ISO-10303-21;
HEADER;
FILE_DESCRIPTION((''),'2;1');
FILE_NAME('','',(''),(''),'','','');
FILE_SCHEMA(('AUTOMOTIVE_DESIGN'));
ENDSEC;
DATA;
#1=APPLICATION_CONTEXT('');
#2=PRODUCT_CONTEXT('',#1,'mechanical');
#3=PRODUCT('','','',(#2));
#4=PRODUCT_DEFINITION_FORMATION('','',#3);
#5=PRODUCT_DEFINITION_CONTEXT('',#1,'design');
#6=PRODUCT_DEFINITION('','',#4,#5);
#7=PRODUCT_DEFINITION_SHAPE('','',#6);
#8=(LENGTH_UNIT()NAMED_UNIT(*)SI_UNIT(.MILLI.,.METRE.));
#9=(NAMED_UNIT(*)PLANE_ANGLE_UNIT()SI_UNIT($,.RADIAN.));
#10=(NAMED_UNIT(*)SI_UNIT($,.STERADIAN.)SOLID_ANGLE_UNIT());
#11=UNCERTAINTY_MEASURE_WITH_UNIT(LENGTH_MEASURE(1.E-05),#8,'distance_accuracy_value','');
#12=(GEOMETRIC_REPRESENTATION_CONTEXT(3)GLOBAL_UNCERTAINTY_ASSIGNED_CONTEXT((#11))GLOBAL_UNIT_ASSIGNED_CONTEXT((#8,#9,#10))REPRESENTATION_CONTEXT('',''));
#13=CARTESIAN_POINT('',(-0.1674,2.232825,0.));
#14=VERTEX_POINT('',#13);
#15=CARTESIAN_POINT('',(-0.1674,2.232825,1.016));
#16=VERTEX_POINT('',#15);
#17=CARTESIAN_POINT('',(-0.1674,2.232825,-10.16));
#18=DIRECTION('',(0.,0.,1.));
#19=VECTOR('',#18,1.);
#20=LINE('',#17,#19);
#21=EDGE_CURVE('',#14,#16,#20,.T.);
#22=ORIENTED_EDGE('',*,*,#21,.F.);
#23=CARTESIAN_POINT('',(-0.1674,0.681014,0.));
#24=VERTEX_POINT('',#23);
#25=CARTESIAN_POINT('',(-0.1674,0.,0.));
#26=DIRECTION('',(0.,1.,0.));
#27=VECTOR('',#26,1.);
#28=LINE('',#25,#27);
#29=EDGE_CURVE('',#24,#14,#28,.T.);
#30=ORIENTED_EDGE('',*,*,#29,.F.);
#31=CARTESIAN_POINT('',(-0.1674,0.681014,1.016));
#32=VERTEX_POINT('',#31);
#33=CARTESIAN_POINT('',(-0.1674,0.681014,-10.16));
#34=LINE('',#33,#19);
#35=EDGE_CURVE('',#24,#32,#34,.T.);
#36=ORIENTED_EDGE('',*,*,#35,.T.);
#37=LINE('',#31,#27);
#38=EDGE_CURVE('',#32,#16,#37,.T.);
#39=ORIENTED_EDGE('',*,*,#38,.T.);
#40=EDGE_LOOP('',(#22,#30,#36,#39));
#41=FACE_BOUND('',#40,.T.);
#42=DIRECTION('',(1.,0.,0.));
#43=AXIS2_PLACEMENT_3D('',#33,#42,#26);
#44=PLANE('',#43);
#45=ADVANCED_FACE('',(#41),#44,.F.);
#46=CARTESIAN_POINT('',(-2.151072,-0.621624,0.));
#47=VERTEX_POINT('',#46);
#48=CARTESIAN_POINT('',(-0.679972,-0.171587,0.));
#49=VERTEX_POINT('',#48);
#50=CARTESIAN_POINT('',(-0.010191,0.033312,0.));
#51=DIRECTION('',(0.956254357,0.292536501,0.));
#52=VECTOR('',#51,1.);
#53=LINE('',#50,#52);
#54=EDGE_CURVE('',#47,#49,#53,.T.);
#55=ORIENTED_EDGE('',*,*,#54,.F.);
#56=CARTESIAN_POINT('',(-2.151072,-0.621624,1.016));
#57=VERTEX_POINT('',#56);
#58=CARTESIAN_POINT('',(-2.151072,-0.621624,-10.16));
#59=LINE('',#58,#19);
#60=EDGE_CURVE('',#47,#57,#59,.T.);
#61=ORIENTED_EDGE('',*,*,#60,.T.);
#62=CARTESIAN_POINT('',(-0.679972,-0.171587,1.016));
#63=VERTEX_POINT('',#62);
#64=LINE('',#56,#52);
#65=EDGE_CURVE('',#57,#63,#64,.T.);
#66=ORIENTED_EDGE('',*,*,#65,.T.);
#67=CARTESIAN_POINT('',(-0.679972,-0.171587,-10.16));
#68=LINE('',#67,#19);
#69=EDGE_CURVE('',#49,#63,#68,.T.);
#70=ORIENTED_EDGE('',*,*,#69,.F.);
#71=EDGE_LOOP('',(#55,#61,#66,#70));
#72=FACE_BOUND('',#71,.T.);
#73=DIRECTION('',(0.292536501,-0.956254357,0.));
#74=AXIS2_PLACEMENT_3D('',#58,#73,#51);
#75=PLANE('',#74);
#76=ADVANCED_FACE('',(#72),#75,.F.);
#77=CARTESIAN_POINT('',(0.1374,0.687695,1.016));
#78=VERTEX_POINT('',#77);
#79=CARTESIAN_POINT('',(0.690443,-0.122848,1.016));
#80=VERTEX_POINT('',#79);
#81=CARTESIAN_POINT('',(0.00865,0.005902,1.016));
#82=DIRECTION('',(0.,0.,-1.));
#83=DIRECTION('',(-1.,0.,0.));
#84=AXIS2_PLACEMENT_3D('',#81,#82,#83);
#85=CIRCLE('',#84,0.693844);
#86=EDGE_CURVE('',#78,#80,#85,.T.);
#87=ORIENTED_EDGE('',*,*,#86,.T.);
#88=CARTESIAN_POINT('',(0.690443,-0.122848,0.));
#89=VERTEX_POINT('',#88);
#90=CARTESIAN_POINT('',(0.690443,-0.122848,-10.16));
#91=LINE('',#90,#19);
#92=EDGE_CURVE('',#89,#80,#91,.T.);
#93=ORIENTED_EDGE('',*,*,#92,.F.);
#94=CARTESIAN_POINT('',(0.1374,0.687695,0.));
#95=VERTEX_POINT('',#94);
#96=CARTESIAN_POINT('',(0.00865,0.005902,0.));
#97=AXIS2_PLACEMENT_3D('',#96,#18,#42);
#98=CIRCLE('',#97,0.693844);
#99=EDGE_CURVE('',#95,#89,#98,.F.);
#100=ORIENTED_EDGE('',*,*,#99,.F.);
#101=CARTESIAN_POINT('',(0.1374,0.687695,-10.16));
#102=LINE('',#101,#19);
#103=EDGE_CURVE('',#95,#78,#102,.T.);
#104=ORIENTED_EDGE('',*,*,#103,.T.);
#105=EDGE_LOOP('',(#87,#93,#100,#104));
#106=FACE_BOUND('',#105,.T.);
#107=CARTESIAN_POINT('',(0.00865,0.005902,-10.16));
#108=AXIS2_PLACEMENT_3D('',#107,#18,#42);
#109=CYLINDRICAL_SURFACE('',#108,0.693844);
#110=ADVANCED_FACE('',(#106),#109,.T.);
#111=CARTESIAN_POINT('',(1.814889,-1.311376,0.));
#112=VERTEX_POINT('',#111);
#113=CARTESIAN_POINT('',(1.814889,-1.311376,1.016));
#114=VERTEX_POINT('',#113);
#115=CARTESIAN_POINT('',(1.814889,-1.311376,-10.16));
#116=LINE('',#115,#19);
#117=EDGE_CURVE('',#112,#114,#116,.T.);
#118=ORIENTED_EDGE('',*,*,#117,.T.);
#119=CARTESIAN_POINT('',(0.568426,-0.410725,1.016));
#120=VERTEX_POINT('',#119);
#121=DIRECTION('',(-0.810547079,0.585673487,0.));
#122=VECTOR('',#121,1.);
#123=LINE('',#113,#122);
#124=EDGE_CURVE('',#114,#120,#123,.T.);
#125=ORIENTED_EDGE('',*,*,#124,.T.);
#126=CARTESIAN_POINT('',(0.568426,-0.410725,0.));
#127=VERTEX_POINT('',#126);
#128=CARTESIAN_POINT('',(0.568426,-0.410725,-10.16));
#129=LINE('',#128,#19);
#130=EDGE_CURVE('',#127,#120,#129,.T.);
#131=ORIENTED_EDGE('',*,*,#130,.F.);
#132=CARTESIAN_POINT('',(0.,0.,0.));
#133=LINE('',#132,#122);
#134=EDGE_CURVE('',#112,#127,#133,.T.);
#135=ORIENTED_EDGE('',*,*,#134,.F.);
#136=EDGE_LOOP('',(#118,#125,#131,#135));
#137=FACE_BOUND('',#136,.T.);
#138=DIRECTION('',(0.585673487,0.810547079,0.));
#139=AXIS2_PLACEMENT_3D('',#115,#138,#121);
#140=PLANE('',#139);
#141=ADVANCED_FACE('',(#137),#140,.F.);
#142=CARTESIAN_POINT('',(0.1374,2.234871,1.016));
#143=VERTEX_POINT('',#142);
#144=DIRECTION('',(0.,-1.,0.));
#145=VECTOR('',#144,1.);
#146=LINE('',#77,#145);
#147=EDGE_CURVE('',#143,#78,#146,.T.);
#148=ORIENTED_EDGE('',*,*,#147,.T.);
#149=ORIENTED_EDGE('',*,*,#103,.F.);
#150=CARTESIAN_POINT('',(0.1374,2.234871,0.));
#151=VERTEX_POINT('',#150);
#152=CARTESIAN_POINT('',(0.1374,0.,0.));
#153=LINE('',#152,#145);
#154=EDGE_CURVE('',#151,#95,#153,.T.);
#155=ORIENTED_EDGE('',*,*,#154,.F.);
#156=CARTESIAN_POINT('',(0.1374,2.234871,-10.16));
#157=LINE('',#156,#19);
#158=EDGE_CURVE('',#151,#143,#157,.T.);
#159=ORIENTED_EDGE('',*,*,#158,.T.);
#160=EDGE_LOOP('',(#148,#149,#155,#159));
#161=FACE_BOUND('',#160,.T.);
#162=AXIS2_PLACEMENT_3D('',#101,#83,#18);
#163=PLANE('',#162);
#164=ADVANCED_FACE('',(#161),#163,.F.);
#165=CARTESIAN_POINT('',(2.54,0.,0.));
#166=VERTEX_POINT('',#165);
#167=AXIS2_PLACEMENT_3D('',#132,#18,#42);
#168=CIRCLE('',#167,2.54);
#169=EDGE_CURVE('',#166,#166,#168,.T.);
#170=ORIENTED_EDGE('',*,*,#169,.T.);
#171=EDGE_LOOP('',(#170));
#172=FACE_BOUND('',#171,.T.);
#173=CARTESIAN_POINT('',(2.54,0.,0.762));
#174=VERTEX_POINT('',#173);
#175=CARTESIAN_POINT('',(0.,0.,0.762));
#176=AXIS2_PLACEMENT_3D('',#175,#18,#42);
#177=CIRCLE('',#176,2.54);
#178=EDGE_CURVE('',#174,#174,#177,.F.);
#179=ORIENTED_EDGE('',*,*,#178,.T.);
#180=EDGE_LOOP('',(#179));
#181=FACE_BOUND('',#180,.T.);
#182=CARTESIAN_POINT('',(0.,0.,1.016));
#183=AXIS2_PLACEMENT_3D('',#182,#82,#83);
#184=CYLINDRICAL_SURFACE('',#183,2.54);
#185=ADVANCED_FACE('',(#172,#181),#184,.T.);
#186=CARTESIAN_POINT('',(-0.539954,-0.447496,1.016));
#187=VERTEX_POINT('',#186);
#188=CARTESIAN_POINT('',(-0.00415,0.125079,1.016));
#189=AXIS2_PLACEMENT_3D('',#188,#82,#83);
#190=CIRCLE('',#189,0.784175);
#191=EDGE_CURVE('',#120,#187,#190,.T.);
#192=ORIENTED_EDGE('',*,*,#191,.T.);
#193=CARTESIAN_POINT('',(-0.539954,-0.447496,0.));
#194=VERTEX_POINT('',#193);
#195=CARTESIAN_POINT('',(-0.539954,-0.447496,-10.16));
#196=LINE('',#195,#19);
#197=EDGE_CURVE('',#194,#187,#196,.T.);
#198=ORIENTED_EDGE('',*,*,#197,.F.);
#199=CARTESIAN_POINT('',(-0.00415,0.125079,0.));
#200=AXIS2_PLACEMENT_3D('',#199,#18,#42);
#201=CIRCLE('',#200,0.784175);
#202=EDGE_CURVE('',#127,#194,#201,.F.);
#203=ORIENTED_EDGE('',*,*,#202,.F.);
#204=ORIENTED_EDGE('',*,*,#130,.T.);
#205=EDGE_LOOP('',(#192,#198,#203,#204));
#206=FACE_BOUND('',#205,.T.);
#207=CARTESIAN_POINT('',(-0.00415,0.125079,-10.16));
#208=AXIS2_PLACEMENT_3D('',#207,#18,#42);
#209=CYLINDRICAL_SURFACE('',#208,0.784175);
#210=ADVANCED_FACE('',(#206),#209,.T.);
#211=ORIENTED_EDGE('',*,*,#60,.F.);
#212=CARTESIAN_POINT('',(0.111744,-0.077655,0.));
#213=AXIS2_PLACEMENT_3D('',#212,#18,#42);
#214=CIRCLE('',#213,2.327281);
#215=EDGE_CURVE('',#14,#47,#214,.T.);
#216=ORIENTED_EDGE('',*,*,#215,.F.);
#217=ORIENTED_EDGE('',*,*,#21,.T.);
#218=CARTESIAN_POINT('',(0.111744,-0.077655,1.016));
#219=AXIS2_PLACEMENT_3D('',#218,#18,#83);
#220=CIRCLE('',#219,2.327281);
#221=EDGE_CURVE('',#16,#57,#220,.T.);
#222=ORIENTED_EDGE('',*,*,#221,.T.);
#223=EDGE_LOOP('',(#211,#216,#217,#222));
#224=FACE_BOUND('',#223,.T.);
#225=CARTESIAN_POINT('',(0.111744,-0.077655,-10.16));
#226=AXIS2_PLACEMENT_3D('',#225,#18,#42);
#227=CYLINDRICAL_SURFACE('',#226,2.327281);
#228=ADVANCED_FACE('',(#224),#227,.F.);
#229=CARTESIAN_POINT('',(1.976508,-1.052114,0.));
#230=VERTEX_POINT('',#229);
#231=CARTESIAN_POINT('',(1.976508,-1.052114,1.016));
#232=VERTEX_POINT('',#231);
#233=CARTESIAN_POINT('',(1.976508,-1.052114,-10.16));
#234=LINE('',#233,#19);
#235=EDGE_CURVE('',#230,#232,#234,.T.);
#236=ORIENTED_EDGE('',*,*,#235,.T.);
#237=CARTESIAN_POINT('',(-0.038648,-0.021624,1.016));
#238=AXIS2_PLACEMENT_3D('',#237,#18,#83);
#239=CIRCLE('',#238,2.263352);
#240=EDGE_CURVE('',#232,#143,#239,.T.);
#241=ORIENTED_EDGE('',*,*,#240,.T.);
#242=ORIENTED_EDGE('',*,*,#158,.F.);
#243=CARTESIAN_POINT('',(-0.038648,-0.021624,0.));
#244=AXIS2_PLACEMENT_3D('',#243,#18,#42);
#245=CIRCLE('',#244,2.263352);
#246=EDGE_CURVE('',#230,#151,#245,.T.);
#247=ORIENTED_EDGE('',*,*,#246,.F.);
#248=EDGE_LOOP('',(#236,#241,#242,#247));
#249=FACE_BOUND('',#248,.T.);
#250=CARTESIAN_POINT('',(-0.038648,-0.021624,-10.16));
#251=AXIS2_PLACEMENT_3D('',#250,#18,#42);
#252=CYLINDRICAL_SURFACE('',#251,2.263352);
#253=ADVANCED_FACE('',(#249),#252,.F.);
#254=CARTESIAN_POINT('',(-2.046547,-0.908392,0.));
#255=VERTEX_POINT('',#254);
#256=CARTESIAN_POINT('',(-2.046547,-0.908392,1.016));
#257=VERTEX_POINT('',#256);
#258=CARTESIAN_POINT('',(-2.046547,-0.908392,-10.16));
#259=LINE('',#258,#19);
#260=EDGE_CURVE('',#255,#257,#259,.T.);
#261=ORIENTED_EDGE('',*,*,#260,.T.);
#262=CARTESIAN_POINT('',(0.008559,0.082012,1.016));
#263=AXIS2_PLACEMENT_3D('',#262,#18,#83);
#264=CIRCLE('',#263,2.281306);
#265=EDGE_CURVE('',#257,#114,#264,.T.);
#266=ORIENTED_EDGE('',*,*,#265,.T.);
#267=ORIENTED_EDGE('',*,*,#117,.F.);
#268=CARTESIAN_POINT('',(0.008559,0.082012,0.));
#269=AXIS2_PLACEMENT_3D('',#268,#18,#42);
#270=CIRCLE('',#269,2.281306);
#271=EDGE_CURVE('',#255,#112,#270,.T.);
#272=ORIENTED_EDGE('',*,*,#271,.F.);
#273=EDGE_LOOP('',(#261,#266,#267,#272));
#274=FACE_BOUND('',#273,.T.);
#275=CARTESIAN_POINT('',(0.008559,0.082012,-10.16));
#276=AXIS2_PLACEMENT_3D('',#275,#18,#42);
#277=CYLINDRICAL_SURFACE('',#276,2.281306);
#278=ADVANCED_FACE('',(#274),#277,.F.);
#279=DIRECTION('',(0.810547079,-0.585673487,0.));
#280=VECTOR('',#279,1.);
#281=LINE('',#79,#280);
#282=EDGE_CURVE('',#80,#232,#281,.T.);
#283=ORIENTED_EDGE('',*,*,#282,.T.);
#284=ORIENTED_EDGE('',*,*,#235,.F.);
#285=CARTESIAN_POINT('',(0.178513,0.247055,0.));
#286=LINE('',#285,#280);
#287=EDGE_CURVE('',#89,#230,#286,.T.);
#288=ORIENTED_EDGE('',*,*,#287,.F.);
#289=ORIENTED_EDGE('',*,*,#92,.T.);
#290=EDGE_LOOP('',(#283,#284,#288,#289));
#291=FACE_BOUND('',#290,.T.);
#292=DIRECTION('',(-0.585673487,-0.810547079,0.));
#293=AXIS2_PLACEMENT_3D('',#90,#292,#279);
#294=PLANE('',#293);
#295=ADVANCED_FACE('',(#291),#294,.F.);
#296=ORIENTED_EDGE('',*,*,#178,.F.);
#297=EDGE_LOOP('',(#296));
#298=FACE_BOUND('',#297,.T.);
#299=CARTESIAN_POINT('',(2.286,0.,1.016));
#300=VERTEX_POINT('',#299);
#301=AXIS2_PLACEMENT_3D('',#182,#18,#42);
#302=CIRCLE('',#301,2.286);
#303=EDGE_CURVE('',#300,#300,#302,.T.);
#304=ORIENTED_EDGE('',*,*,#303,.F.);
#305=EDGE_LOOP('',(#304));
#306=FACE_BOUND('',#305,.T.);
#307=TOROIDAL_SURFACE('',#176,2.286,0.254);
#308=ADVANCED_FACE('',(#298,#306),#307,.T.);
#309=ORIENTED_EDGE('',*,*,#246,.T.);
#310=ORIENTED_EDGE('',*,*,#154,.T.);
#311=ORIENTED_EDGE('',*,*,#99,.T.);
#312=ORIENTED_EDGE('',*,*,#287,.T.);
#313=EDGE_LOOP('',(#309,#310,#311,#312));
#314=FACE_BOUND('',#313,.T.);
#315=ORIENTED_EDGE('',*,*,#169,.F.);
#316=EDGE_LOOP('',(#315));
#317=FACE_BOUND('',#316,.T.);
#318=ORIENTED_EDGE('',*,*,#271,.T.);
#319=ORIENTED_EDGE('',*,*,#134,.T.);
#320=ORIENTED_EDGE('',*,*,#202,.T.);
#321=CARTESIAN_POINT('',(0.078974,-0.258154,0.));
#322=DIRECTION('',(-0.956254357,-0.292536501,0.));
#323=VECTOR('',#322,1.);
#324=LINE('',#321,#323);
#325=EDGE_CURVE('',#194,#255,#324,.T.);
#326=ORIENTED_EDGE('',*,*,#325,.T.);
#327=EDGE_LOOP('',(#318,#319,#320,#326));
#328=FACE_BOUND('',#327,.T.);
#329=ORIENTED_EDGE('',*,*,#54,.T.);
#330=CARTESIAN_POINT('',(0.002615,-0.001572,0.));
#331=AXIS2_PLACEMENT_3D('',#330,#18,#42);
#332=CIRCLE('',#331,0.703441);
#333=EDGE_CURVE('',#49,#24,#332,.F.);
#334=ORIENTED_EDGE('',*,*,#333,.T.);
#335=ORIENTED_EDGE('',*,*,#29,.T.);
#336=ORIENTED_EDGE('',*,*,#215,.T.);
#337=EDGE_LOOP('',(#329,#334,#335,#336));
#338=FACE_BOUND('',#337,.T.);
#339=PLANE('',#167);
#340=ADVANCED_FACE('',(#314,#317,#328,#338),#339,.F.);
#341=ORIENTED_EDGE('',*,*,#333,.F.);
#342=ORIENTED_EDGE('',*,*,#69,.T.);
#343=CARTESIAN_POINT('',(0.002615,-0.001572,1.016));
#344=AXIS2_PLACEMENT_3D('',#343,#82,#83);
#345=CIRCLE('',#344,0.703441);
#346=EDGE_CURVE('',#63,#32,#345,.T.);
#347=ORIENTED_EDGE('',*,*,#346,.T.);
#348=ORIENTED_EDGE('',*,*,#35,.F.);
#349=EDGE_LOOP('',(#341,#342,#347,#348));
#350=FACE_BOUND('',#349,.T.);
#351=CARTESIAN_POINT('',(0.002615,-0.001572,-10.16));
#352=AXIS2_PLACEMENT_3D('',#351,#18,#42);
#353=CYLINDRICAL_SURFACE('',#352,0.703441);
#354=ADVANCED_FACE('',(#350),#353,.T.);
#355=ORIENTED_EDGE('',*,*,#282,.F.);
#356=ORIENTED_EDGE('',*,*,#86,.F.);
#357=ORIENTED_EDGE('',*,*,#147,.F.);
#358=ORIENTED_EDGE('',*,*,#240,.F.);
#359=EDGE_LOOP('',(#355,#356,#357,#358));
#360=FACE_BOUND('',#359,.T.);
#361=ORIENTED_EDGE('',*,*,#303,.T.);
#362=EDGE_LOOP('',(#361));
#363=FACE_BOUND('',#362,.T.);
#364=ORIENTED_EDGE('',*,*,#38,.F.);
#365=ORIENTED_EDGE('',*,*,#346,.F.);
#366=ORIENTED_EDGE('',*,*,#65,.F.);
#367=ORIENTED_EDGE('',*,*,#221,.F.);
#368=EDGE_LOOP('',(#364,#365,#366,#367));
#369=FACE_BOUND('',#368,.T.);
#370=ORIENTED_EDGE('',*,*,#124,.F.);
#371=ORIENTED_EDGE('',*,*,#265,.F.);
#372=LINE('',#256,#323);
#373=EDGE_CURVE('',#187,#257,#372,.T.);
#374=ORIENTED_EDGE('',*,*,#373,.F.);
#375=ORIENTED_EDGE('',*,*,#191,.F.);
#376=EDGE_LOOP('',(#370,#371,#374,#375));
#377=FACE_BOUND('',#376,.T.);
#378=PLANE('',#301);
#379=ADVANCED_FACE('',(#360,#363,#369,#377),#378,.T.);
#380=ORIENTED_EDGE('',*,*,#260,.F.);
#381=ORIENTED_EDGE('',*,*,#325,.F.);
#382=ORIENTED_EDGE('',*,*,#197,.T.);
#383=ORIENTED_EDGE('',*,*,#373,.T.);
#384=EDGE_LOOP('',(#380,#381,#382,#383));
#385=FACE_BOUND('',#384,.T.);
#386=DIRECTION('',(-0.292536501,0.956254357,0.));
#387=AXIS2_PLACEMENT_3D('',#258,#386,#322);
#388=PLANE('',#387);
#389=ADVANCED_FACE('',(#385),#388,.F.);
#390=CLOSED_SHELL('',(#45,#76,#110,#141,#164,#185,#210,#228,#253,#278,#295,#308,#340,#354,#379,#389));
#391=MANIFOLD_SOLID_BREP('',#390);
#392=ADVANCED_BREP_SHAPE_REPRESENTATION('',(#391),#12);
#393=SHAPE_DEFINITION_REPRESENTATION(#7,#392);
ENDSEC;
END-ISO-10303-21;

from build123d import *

# Parameters (mm, degrees)
SKETCH1_R           = 2.54
BOSS_EXTRUDE3_DEPTH = 1.016
FILLET1_R           = 0.254
CUT_EXTRUDE1_DEPTH  = 11.176


with BuildPart() as part:
    # Sketch1 → Boss-Extrude3 (new body)
    with BuildSketch(Plane.XY):
        Circle(SKETCH1_R)
    extrude(amount=BOSS_EXTRUDE3_DEPTH)

    # Fillet1
    fillet1_edges = [part.edges().sort_by_distance(p)[0] for p in [
        (-2.54, 0, 1.016),
    ]]
    fillet(fillet1_edges, radius=FILLET1_R)

    # Sketch3 → Cut-Extrude1 (cut)
    with BuildSketch(Plane.XY.offset(1.016)):
        with BuildLine():
            Line((-2.151072182, -0.621624482), (-0.679971736, -0.171586714))
            ThreePointArc((-0.679971736, -0.171586714), (-0.600265463, 0.360870926), (-0.167400209, 0.681014488))
            Line((-0.167400209, 0.681014488), (-0.167400209, 2.232824601))
            ThreePointArc((-0.167400209, 2.232824601), (-1.799371166, 1.250455709), (-2.151072182, -0.621624482))
        make_face()
        with BuildLine():
            Line((-2.046546593, -0.90839175), (-0.539954253, -0.447496333))
            ThreePointArc((-0.539954253, -0.447496333), (0.02185151, -0.658663896), (0.568426191, -0.410725247))
            Line((0.568426191, -0.410725247), (1.814888674, -1.311376236))
            ThreePointArc((1.814888674, -1.311376236), (-0.228235226, -2.186971416), (-2.046546593, -0.90839175))
        make_face()
        with BuildLine():
            Line((0.69044324, -0.122848261), (1.976507953, -1.052114462))
            ThreePointArc((1.976507953, -1.052114462), (1.936551374, 1.083523834), (0.137399791, 2.234871322))
            Line((0.137399791, 2.234871322), (0.137399791, 0.687695325))
            ThreePointArc((0.137399791, 0.687695325), (0.581790588, 0.39696258), (0.69044324, -0.122848261))
        make_face()
    extrude(amount=-CUT_EXTRUDE1_DEPTH, mode=Mode.SUBTRACT)


solid = part.part
